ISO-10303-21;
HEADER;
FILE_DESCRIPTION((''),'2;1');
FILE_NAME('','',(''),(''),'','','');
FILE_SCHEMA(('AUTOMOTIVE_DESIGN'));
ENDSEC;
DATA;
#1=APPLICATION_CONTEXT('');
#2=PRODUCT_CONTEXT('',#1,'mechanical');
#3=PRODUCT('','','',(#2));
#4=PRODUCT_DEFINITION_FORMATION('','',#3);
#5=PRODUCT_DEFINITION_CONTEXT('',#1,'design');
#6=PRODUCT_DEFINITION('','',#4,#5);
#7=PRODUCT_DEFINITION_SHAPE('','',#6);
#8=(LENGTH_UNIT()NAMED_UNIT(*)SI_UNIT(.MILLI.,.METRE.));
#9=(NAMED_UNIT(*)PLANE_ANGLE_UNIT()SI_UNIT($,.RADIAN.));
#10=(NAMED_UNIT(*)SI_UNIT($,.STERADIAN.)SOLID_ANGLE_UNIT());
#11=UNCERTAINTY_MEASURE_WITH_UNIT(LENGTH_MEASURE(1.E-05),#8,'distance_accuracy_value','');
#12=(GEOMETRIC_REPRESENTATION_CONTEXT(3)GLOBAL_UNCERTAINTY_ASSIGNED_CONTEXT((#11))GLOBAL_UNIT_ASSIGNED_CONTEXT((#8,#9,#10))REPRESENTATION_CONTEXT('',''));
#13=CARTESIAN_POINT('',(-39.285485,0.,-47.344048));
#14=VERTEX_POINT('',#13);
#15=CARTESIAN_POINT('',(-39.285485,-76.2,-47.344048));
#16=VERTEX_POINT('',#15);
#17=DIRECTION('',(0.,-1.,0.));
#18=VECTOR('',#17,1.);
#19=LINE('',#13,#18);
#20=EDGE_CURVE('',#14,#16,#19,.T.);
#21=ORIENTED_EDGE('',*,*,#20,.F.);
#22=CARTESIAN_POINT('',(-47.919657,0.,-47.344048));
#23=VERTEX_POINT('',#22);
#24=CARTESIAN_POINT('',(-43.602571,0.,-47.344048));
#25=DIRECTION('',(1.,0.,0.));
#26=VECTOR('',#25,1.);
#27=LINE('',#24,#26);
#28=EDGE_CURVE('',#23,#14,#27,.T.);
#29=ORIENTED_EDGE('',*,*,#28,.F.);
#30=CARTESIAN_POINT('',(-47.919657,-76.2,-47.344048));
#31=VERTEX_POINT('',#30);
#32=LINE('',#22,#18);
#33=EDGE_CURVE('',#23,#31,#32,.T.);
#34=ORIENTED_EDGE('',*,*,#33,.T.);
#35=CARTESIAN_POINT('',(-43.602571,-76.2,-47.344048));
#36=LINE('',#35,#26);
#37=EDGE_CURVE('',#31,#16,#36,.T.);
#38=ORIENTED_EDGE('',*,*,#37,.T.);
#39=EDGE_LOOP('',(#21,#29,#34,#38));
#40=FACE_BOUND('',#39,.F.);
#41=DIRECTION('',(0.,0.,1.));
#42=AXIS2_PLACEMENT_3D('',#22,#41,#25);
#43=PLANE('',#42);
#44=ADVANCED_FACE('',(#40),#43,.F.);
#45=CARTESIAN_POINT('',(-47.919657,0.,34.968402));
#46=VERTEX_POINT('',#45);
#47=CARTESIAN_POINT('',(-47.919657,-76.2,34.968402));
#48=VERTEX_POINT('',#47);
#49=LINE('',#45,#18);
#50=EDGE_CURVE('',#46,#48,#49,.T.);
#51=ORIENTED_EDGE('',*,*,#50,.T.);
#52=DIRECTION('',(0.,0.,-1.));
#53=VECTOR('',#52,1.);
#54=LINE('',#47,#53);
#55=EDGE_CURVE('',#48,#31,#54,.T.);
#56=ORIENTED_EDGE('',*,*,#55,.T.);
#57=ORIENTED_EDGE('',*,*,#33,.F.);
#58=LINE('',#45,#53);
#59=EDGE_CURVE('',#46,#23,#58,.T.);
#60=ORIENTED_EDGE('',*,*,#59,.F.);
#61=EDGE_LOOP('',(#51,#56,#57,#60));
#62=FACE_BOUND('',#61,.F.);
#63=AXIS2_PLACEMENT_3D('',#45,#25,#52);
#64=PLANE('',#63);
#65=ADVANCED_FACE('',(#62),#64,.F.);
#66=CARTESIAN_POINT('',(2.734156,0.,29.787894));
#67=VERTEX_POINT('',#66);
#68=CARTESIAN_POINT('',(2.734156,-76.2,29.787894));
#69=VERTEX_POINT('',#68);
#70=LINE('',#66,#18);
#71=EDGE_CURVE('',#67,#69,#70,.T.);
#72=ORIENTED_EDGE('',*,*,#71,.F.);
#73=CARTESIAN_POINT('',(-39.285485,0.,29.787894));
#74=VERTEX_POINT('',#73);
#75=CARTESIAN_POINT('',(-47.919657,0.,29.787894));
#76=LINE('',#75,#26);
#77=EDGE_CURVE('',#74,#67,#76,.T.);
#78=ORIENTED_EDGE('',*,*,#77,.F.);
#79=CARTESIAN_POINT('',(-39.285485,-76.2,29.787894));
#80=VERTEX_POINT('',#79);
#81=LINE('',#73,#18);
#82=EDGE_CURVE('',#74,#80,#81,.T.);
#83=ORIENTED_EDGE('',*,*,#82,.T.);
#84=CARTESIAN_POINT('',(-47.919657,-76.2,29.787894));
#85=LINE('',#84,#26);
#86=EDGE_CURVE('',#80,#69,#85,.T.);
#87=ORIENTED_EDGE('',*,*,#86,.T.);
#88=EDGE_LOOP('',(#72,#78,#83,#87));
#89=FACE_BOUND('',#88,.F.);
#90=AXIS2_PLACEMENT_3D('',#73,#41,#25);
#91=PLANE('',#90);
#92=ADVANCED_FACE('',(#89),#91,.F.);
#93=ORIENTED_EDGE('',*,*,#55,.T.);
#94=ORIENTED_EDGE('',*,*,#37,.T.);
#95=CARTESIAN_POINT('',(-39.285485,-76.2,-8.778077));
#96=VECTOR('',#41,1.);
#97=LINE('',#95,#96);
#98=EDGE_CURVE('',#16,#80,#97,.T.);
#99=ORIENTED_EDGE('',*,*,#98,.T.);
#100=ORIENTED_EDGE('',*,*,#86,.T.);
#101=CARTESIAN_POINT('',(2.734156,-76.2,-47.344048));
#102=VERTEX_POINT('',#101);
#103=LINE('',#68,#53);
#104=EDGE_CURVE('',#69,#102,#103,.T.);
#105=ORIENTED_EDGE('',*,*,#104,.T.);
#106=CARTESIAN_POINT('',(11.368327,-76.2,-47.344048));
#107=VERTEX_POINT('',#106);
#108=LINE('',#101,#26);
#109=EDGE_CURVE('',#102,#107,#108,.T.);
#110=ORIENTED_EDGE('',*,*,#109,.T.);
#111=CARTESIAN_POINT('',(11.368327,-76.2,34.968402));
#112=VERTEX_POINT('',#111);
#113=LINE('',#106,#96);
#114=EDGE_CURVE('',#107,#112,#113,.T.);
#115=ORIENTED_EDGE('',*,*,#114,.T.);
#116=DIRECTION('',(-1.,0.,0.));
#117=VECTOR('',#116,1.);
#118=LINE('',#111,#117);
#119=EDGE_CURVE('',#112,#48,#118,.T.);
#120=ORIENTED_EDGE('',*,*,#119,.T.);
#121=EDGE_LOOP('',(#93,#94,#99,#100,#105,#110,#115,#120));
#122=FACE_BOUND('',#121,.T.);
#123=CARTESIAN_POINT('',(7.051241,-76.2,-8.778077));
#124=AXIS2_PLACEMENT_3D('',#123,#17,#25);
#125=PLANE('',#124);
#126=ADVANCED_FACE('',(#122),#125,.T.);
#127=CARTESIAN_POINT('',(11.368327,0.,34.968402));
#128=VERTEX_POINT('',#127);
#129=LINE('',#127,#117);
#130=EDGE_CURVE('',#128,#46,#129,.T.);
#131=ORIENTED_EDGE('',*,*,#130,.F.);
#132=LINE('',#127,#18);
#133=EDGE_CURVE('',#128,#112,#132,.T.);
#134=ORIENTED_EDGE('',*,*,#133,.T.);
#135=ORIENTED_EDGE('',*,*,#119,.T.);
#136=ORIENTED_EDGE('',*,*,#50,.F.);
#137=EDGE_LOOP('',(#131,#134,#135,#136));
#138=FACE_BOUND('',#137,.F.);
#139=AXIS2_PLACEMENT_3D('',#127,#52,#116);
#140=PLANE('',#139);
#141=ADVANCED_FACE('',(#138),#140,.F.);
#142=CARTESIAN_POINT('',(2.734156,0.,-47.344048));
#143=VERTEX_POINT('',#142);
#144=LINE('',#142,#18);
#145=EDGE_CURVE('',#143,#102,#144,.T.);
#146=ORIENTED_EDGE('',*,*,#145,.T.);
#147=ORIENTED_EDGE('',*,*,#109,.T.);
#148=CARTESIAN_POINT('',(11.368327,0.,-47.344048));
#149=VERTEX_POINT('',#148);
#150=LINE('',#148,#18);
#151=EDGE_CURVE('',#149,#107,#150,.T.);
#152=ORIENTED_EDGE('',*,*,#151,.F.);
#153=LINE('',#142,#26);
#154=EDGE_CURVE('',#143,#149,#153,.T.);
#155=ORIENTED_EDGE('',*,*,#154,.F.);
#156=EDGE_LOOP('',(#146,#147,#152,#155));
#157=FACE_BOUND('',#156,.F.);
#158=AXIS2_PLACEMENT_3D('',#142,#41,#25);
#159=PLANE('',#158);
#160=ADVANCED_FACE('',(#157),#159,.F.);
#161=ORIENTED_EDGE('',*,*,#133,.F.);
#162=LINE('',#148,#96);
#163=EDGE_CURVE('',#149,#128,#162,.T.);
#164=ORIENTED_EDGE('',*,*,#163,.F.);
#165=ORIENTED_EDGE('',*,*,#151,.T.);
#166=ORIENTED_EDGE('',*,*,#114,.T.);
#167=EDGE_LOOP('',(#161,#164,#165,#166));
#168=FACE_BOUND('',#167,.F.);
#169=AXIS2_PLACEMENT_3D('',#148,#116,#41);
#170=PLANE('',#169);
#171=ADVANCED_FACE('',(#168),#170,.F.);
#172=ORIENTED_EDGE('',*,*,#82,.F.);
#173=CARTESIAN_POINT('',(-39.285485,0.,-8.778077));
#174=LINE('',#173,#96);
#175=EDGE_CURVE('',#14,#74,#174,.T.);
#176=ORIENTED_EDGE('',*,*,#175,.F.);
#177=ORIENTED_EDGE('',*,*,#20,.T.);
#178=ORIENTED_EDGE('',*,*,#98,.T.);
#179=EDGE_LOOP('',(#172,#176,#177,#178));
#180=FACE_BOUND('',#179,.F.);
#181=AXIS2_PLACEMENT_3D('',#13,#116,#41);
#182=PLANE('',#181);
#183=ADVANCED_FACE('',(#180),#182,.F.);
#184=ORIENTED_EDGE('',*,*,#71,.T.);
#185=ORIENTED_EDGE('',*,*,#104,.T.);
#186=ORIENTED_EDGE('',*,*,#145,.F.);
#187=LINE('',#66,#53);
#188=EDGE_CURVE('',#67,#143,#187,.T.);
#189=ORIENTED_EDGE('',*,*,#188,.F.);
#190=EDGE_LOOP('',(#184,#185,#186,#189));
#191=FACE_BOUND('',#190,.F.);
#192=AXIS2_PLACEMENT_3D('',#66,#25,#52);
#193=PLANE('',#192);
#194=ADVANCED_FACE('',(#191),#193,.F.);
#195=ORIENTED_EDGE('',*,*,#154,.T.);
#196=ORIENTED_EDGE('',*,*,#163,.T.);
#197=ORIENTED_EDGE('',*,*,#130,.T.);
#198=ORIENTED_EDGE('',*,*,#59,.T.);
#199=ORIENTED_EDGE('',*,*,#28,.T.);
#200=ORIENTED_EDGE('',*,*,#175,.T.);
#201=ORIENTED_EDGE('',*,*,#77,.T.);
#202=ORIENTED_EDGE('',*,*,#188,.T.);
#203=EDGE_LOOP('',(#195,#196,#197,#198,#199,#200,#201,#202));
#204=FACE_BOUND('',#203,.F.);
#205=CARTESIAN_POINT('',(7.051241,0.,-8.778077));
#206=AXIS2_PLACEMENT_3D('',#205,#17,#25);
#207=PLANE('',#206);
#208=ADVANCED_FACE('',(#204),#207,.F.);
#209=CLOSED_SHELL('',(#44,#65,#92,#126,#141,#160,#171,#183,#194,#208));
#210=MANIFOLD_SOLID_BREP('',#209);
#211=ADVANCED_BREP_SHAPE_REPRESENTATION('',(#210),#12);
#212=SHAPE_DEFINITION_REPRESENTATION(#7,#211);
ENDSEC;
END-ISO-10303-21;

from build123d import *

# Parameters (mm, degrees)
F0_W     = 8.634172
F0_H     = 77.131942
F1_DEPTH = 76.2


with BuildPart() as f1:
    # F0 (on Front) → F1 (new body)
    with BuildSketch(Plane.XZ):
        Polygon((7.051242, 29.787894), (2.734156, 29.787894), (2.734156, -47.344048), (11.368327, -47.344048), (11.368327, 29.787894), align=None)
        Polygon((-47.919657, 34.968402), (-47.919657, 29.787894), (-39.285485, 29.787894), (2.734156, 29.787894), (7.051242, 29.787894), (11.368327, 29.787894), (11.368327, 34.968402), align=None)
        with Locations((-43.602571, -8.778077)):
            Rectangle(F0_W, F0_H)
    extrude(amount=F1_DEPTH)


solid = f1.part
